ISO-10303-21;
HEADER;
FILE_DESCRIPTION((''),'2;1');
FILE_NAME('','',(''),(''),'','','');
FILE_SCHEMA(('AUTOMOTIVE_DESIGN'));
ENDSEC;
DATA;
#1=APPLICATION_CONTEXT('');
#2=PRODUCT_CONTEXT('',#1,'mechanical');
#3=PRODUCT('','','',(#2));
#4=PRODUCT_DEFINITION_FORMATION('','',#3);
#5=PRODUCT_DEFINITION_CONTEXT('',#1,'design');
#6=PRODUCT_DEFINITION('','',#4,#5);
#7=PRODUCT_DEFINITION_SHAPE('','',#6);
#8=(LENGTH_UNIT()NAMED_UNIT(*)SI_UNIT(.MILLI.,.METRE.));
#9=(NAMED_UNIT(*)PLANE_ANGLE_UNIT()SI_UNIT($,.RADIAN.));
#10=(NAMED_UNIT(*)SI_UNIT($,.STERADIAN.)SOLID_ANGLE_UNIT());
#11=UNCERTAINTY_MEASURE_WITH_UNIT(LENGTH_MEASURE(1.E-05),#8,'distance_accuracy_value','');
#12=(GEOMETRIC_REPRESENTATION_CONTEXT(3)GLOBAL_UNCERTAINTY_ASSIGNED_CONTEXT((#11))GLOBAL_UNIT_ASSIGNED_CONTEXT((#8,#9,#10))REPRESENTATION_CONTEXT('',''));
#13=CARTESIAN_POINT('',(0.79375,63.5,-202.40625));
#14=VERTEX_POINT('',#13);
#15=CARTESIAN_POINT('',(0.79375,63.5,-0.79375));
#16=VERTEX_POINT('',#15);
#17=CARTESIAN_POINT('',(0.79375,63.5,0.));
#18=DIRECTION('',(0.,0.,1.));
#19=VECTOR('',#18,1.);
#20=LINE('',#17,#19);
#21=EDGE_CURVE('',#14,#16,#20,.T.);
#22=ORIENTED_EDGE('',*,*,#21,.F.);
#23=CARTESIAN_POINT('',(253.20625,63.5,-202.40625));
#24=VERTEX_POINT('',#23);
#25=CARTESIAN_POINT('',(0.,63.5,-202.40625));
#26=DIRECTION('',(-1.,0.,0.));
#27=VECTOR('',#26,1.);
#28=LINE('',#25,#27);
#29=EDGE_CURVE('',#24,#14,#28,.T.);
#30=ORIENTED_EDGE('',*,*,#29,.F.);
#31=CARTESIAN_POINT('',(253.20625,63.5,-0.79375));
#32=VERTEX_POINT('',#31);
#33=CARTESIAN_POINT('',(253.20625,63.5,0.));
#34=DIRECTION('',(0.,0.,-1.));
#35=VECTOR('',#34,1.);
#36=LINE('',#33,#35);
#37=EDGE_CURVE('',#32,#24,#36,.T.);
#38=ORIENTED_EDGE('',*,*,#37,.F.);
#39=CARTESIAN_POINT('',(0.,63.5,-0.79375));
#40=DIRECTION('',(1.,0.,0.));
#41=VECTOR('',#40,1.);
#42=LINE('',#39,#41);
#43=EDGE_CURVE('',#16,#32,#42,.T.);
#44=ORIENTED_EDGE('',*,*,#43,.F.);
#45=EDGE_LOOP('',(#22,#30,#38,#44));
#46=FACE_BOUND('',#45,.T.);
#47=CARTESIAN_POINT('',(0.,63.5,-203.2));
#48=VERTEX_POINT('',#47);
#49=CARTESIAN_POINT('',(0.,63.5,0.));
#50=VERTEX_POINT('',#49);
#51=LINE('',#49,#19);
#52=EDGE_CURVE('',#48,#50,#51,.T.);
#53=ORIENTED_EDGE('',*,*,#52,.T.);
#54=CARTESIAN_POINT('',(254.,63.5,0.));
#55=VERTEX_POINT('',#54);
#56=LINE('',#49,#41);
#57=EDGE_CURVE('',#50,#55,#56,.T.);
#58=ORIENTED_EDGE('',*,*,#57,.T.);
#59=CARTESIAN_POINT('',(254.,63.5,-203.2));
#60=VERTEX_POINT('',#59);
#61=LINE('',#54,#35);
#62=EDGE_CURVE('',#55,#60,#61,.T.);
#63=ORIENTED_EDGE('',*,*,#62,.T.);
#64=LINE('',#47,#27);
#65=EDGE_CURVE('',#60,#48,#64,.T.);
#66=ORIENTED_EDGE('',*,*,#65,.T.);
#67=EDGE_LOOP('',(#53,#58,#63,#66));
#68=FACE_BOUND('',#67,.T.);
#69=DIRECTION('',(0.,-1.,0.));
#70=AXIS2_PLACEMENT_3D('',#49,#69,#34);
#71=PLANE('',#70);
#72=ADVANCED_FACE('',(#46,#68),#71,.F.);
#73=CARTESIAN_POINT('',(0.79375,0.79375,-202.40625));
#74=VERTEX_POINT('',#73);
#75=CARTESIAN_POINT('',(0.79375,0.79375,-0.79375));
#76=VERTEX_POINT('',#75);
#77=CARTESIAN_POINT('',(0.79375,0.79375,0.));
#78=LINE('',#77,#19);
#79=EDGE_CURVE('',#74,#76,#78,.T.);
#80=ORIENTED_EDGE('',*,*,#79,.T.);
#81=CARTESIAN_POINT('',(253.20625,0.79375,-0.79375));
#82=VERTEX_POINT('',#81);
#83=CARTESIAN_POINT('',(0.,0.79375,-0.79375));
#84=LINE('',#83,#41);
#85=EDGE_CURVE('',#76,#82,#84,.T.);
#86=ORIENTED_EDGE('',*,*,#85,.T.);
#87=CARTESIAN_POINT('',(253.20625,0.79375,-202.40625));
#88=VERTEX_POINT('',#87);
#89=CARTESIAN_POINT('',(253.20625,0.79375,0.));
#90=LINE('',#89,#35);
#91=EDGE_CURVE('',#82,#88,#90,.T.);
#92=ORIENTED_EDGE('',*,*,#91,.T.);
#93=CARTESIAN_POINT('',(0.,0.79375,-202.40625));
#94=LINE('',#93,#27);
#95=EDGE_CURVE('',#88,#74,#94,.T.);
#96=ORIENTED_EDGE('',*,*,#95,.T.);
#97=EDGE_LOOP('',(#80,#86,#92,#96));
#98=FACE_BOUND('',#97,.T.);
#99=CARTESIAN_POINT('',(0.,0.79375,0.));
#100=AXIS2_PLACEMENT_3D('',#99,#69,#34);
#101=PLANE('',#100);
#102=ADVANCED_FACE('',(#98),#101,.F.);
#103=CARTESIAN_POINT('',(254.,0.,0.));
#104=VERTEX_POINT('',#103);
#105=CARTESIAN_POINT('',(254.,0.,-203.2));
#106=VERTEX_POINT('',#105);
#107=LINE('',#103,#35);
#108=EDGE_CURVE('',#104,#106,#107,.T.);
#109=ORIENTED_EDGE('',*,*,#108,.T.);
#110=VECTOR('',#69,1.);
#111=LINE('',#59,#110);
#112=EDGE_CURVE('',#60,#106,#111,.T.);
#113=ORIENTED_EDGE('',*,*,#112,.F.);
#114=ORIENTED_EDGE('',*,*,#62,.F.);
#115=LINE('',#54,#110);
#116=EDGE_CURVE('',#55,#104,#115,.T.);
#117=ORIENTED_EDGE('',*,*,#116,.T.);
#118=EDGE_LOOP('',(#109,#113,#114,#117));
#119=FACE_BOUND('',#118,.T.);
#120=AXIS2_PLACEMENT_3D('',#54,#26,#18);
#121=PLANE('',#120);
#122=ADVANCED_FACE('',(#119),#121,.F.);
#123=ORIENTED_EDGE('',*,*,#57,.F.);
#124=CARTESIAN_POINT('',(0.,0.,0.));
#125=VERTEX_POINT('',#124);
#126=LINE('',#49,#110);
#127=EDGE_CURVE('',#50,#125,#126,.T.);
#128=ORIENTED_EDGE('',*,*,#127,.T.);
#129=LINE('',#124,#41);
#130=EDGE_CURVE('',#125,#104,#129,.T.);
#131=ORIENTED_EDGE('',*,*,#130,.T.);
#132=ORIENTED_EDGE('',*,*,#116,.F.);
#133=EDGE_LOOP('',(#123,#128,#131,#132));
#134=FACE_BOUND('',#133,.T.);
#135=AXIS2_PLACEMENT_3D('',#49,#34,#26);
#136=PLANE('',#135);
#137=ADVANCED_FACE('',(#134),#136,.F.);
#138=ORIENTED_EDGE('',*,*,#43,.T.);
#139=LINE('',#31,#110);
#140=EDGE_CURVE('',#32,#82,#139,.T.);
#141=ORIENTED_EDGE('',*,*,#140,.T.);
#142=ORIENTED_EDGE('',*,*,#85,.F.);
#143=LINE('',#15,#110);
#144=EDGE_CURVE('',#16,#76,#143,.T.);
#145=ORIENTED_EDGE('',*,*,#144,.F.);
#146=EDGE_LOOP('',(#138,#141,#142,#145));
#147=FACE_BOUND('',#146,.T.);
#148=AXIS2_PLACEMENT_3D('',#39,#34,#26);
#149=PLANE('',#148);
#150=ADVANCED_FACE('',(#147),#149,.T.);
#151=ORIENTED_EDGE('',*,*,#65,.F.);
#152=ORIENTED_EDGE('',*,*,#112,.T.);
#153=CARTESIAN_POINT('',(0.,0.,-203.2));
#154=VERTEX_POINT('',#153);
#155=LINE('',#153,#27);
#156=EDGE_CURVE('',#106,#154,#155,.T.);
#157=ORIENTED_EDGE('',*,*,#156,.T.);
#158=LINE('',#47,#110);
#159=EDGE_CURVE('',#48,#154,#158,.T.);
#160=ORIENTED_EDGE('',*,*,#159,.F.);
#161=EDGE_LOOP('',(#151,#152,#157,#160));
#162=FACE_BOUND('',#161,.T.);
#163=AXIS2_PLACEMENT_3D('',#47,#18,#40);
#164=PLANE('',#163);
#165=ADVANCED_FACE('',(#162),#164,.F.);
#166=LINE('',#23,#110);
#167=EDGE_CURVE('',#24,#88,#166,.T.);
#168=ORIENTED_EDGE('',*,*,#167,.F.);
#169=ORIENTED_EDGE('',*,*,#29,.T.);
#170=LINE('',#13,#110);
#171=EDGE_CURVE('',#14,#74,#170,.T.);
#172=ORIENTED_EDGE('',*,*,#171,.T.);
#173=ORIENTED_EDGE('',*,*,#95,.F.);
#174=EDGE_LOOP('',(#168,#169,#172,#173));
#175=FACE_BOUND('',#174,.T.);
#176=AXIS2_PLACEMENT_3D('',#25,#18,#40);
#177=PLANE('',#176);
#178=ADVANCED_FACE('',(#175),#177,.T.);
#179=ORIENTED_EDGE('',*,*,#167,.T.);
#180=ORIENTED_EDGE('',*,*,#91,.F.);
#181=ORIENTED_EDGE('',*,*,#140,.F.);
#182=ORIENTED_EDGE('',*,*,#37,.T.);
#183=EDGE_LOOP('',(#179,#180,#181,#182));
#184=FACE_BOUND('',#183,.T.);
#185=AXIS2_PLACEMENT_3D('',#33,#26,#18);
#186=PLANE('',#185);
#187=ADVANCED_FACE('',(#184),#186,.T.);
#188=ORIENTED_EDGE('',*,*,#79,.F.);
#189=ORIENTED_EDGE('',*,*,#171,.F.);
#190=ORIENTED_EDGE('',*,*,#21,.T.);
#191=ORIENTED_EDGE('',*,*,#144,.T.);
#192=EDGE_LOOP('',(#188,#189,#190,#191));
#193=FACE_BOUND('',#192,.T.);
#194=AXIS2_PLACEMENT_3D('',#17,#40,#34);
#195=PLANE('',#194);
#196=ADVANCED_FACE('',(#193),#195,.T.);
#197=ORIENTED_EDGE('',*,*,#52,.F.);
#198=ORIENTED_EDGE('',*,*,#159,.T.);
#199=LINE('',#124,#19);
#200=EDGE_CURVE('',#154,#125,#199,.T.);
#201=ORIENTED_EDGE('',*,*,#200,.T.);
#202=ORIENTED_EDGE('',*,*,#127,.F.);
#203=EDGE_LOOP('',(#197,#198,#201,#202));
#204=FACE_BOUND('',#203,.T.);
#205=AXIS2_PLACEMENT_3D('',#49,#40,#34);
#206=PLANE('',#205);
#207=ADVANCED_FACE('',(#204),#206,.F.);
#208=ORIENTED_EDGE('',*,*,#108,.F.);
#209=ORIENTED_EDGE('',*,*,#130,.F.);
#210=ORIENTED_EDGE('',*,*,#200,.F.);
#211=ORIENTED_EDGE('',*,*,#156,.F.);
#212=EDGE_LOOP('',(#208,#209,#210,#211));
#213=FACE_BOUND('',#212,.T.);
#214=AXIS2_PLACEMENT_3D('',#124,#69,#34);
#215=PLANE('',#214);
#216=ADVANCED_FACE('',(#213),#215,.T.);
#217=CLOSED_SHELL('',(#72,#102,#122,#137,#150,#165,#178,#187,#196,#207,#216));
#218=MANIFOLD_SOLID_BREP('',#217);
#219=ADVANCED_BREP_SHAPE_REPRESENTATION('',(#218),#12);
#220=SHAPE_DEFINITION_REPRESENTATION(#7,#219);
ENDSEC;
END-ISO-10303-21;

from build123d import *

# Parameters (mm, degrees)
SKETCH1_W           = 254
SKETCH1_H           = 203.2
BOSS_EXTRUDE1_DEPTH = 63.5
SHELL3_T            = -0.79375


with BuildPart() as part:
    # Sketch1 → Boss-Extrude1 (new body)
    with BuildSketch(Plane(origin=(0, 0, 0), x_dir=(1, 0, 0), z_dir=(0, 1, 0))):
        with Locations((127, 101.6)):
            Rectangle(SKETCH1_W, SKETCH1_H)
    extrude(amount=BOSS_EXTRUDE1_DEPTH)

    # Shell3
    shell3_openings = [part.faces().sort_by_distance(p)[0] for p in [
        (127, 63.5, -101.6),
    ]]
    offset(amount=SHELL3_T, openings=shell3_openings, kind=Kind.INTERSECTION)


solid = part.part
